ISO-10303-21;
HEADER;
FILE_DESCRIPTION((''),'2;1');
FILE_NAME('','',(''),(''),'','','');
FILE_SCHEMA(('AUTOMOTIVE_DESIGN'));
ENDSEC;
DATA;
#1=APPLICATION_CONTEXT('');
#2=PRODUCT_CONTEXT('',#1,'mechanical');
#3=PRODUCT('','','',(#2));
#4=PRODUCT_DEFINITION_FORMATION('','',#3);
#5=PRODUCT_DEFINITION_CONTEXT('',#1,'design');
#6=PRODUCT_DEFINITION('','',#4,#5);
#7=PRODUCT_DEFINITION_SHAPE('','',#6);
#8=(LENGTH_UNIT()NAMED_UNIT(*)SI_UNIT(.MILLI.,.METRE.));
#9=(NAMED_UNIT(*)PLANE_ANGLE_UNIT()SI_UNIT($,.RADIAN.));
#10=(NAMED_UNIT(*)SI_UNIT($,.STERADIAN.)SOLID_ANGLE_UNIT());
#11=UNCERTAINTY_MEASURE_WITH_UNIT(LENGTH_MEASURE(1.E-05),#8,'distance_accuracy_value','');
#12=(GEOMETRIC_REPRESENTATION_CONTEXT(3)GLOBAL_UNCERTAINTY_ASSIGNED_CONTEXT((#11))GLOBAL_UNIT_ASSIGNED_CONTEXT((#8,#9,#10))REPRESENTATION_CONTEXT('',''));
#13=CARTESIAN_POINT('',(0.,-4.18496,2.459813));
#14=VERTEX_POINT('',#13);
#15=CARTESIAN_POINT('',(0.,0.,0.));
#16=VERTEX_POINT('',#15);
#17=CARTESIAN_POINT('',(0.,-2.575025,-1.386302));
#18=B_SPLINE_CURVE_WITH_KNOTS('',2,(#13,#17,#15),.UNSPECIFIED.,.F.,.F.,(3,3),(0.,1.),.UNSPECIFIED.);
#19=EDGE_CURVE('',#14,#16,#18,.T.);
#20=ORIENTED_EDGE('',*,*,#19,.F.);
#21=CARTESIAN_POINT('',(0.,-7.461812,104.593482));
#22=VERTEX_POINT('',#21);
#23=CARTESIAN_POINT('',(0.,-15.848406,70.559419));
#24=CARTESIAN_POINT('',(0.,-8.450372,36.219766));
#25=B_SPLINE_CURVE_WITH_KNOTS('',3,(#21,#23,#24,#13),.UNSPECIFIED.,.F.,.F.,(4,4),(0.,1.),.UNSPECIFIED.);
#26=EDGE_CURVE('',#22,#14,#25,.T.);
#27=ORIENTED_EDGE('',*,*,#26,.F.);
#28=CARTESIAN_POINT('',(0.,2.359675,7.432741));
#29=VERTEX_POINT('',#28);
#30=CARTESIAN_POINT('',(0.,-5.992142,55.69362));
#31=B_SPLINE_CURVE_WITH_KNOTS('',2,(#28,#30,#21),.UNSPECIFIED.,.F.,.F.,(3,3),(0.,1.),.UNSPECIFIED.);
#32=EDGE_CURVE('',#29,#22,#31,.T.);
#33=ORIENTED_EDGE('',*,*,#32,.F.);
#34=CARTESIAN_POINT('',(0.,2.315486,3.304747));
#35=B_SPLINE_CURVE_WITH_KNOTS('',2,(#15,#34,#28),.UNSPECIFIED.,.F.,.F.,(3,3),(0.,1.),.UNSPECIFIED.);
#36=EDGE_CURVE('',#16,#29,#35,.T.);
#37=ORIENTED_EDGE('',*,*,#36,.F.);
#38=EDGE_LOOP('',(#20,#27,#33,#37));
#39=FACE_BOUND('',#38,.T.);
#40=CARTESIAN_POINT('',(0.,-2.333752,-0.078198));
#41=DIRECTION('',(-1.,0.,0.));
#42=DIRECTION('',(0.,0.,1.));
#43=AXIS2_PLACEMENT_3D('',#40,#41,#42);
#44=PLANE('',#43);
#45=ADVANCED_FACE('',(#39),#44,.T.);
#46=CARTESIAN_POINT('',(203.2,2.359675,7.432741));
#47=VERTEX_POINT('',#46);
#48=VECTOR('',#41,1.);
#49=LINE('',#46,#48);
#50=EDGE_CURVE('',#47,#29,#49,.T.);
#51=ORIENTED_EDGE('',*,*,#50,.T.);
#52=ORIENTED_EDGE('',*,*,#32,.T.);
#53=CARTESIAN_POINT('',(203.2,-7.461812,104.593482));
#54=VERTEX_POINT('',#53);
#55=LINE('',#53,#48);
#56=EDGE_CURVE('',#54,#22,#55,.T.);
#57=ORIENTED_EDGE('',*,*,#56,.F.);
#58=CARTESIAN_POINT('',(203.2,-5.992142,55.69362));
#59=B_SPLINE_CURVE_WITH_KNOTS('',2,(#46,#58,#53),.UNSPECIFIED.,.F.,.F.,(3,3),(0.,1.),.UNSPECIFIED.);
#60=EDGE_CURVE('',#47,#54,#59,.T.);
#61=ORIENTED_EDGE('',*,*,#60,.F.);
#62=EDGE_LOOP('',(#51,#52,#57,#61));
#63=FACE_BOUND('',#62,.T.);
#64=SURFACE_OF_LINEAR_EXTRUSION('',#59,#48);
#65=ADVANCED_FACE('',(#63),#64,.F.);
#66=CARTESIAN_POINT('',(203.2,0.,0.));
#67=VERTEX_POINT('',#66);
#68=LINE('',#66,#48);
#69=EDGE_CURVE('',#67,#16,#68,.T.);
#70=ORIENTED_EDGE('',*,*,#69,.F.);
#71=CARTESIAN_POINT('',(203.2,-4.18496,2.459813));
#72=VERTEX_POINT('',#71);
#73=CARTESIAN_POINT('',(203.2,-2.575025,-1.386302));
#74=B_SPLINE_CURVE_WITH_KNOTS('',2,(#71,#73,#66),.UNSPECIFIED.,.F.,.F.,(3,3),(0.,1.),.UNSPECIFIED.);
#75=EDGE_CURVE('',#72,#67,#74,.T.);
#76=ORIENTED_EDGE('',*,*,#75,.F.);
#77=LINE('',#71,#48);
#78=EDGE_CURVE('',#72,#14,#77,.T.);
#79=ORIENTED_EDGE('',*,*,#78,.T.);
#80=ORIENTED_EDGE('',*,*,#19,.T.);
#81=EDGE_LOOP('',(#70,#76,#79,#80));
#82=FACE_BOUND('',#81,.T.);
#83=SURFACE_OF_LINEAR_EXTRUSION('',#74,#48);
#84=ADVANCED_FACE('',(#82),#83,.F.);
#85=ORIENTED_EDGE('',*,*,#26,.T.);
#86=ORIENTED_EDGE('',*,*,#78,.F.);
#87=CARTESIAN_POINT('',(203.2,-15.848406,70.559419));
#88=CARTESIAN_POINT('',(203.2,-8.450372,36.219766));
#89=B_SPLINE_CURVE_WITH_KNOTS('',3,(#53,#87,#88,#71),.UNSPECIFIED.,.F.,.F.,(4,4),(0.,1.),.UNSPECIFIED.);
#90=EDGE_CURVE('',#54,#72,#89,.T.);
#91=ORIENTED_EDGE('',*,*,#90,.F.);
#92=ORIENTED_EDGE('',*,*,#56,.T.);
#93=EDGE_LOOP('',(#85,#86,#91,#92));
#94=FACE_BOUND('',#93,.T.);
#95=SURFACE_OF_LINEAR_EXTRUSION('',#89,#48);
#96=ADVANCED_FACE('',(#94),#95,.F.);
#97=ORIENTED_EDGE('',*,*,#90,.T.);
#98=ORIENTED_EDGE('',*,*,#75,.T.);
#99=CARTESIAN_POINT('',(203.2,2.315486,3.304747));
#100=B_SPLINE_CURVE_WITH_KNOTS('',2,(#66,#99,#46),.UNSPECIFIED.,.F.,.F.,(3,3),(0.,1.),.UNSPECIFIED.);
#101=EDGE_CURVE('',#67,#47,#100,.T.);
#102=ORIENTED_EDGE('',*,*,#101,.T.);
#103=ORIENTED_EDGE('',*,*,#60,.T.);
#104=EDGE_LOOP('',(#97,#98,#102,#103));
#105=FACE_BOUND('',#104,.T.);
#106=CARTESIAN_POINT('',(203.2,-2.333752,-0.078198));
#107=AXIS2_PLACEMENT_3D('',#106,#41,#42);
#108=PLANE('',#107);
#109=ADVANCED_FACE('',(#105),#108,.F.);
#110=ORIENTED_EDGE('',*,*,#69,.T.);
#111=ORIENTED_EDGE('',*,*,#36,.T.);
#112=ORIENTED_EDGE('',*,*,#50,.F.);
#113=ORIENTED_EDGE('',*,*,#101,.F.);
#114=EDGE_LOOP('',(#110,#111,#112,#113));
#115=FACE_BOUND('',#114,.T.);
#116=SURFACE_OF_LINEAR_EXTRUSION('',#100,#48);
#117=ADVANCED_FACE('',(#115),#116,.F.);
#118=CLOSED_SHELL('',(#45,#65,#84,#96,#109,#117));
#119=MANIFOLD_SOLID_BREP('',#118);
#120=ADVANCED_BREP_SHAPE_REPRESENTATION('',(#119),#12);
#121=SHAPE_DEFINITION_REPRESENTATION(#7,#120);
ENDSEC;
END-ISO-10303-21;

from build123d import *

# Parameters (mm, degrees)
BOSS_EXTRUDE1_DEPTH = 203.2


with BuildPart() as part:
    # Sketch2 → Boss-Extrude1 (new body)
    with BuildSketch(Plane(origin=(0, 0, 0), x_dir=(0, 0.01745240643728355, -0.9998476951563913), z_dir=(1, 0, 0))):
        with BuildLine():
            add(Edge.make_bspline(
                [(0, 0), (-3.263833068, 2.372808667), (-7.390426932, 2.489034967)],
                knots=[0, 0, 0, 1, 1, 1], degree=2))
            add(Edge.make_bspline(
                [(-104.707778225, -5.635267518), (-55.789715083, -5.019242012), (-7.390426932, 2.489034967)],
                knots=[0, 0, 0, 1, 1, 1], degree=2))
            add(Edge.make_bspline(
                [(-2.532475971, -4.141392581), (-36.361728446, -7.816963238), (-70.825265543, -14.614560516), (-104.707778225, -5.635267518)],
                knots=[0, 0, 0, 0, 1, 1, 1, 1], degree=3))
            add(Edge.make_bspline(
                [(-2.532475971, -4.141392581), (1.341150864, -2.598826907), (0, 0)],
                knots=[0, 0, 0, 1, 1, 1], degree=2))
        make_face()
    extrude(amount=BOSS_EXTRUDE1_DEPTH)


solid = part.part
